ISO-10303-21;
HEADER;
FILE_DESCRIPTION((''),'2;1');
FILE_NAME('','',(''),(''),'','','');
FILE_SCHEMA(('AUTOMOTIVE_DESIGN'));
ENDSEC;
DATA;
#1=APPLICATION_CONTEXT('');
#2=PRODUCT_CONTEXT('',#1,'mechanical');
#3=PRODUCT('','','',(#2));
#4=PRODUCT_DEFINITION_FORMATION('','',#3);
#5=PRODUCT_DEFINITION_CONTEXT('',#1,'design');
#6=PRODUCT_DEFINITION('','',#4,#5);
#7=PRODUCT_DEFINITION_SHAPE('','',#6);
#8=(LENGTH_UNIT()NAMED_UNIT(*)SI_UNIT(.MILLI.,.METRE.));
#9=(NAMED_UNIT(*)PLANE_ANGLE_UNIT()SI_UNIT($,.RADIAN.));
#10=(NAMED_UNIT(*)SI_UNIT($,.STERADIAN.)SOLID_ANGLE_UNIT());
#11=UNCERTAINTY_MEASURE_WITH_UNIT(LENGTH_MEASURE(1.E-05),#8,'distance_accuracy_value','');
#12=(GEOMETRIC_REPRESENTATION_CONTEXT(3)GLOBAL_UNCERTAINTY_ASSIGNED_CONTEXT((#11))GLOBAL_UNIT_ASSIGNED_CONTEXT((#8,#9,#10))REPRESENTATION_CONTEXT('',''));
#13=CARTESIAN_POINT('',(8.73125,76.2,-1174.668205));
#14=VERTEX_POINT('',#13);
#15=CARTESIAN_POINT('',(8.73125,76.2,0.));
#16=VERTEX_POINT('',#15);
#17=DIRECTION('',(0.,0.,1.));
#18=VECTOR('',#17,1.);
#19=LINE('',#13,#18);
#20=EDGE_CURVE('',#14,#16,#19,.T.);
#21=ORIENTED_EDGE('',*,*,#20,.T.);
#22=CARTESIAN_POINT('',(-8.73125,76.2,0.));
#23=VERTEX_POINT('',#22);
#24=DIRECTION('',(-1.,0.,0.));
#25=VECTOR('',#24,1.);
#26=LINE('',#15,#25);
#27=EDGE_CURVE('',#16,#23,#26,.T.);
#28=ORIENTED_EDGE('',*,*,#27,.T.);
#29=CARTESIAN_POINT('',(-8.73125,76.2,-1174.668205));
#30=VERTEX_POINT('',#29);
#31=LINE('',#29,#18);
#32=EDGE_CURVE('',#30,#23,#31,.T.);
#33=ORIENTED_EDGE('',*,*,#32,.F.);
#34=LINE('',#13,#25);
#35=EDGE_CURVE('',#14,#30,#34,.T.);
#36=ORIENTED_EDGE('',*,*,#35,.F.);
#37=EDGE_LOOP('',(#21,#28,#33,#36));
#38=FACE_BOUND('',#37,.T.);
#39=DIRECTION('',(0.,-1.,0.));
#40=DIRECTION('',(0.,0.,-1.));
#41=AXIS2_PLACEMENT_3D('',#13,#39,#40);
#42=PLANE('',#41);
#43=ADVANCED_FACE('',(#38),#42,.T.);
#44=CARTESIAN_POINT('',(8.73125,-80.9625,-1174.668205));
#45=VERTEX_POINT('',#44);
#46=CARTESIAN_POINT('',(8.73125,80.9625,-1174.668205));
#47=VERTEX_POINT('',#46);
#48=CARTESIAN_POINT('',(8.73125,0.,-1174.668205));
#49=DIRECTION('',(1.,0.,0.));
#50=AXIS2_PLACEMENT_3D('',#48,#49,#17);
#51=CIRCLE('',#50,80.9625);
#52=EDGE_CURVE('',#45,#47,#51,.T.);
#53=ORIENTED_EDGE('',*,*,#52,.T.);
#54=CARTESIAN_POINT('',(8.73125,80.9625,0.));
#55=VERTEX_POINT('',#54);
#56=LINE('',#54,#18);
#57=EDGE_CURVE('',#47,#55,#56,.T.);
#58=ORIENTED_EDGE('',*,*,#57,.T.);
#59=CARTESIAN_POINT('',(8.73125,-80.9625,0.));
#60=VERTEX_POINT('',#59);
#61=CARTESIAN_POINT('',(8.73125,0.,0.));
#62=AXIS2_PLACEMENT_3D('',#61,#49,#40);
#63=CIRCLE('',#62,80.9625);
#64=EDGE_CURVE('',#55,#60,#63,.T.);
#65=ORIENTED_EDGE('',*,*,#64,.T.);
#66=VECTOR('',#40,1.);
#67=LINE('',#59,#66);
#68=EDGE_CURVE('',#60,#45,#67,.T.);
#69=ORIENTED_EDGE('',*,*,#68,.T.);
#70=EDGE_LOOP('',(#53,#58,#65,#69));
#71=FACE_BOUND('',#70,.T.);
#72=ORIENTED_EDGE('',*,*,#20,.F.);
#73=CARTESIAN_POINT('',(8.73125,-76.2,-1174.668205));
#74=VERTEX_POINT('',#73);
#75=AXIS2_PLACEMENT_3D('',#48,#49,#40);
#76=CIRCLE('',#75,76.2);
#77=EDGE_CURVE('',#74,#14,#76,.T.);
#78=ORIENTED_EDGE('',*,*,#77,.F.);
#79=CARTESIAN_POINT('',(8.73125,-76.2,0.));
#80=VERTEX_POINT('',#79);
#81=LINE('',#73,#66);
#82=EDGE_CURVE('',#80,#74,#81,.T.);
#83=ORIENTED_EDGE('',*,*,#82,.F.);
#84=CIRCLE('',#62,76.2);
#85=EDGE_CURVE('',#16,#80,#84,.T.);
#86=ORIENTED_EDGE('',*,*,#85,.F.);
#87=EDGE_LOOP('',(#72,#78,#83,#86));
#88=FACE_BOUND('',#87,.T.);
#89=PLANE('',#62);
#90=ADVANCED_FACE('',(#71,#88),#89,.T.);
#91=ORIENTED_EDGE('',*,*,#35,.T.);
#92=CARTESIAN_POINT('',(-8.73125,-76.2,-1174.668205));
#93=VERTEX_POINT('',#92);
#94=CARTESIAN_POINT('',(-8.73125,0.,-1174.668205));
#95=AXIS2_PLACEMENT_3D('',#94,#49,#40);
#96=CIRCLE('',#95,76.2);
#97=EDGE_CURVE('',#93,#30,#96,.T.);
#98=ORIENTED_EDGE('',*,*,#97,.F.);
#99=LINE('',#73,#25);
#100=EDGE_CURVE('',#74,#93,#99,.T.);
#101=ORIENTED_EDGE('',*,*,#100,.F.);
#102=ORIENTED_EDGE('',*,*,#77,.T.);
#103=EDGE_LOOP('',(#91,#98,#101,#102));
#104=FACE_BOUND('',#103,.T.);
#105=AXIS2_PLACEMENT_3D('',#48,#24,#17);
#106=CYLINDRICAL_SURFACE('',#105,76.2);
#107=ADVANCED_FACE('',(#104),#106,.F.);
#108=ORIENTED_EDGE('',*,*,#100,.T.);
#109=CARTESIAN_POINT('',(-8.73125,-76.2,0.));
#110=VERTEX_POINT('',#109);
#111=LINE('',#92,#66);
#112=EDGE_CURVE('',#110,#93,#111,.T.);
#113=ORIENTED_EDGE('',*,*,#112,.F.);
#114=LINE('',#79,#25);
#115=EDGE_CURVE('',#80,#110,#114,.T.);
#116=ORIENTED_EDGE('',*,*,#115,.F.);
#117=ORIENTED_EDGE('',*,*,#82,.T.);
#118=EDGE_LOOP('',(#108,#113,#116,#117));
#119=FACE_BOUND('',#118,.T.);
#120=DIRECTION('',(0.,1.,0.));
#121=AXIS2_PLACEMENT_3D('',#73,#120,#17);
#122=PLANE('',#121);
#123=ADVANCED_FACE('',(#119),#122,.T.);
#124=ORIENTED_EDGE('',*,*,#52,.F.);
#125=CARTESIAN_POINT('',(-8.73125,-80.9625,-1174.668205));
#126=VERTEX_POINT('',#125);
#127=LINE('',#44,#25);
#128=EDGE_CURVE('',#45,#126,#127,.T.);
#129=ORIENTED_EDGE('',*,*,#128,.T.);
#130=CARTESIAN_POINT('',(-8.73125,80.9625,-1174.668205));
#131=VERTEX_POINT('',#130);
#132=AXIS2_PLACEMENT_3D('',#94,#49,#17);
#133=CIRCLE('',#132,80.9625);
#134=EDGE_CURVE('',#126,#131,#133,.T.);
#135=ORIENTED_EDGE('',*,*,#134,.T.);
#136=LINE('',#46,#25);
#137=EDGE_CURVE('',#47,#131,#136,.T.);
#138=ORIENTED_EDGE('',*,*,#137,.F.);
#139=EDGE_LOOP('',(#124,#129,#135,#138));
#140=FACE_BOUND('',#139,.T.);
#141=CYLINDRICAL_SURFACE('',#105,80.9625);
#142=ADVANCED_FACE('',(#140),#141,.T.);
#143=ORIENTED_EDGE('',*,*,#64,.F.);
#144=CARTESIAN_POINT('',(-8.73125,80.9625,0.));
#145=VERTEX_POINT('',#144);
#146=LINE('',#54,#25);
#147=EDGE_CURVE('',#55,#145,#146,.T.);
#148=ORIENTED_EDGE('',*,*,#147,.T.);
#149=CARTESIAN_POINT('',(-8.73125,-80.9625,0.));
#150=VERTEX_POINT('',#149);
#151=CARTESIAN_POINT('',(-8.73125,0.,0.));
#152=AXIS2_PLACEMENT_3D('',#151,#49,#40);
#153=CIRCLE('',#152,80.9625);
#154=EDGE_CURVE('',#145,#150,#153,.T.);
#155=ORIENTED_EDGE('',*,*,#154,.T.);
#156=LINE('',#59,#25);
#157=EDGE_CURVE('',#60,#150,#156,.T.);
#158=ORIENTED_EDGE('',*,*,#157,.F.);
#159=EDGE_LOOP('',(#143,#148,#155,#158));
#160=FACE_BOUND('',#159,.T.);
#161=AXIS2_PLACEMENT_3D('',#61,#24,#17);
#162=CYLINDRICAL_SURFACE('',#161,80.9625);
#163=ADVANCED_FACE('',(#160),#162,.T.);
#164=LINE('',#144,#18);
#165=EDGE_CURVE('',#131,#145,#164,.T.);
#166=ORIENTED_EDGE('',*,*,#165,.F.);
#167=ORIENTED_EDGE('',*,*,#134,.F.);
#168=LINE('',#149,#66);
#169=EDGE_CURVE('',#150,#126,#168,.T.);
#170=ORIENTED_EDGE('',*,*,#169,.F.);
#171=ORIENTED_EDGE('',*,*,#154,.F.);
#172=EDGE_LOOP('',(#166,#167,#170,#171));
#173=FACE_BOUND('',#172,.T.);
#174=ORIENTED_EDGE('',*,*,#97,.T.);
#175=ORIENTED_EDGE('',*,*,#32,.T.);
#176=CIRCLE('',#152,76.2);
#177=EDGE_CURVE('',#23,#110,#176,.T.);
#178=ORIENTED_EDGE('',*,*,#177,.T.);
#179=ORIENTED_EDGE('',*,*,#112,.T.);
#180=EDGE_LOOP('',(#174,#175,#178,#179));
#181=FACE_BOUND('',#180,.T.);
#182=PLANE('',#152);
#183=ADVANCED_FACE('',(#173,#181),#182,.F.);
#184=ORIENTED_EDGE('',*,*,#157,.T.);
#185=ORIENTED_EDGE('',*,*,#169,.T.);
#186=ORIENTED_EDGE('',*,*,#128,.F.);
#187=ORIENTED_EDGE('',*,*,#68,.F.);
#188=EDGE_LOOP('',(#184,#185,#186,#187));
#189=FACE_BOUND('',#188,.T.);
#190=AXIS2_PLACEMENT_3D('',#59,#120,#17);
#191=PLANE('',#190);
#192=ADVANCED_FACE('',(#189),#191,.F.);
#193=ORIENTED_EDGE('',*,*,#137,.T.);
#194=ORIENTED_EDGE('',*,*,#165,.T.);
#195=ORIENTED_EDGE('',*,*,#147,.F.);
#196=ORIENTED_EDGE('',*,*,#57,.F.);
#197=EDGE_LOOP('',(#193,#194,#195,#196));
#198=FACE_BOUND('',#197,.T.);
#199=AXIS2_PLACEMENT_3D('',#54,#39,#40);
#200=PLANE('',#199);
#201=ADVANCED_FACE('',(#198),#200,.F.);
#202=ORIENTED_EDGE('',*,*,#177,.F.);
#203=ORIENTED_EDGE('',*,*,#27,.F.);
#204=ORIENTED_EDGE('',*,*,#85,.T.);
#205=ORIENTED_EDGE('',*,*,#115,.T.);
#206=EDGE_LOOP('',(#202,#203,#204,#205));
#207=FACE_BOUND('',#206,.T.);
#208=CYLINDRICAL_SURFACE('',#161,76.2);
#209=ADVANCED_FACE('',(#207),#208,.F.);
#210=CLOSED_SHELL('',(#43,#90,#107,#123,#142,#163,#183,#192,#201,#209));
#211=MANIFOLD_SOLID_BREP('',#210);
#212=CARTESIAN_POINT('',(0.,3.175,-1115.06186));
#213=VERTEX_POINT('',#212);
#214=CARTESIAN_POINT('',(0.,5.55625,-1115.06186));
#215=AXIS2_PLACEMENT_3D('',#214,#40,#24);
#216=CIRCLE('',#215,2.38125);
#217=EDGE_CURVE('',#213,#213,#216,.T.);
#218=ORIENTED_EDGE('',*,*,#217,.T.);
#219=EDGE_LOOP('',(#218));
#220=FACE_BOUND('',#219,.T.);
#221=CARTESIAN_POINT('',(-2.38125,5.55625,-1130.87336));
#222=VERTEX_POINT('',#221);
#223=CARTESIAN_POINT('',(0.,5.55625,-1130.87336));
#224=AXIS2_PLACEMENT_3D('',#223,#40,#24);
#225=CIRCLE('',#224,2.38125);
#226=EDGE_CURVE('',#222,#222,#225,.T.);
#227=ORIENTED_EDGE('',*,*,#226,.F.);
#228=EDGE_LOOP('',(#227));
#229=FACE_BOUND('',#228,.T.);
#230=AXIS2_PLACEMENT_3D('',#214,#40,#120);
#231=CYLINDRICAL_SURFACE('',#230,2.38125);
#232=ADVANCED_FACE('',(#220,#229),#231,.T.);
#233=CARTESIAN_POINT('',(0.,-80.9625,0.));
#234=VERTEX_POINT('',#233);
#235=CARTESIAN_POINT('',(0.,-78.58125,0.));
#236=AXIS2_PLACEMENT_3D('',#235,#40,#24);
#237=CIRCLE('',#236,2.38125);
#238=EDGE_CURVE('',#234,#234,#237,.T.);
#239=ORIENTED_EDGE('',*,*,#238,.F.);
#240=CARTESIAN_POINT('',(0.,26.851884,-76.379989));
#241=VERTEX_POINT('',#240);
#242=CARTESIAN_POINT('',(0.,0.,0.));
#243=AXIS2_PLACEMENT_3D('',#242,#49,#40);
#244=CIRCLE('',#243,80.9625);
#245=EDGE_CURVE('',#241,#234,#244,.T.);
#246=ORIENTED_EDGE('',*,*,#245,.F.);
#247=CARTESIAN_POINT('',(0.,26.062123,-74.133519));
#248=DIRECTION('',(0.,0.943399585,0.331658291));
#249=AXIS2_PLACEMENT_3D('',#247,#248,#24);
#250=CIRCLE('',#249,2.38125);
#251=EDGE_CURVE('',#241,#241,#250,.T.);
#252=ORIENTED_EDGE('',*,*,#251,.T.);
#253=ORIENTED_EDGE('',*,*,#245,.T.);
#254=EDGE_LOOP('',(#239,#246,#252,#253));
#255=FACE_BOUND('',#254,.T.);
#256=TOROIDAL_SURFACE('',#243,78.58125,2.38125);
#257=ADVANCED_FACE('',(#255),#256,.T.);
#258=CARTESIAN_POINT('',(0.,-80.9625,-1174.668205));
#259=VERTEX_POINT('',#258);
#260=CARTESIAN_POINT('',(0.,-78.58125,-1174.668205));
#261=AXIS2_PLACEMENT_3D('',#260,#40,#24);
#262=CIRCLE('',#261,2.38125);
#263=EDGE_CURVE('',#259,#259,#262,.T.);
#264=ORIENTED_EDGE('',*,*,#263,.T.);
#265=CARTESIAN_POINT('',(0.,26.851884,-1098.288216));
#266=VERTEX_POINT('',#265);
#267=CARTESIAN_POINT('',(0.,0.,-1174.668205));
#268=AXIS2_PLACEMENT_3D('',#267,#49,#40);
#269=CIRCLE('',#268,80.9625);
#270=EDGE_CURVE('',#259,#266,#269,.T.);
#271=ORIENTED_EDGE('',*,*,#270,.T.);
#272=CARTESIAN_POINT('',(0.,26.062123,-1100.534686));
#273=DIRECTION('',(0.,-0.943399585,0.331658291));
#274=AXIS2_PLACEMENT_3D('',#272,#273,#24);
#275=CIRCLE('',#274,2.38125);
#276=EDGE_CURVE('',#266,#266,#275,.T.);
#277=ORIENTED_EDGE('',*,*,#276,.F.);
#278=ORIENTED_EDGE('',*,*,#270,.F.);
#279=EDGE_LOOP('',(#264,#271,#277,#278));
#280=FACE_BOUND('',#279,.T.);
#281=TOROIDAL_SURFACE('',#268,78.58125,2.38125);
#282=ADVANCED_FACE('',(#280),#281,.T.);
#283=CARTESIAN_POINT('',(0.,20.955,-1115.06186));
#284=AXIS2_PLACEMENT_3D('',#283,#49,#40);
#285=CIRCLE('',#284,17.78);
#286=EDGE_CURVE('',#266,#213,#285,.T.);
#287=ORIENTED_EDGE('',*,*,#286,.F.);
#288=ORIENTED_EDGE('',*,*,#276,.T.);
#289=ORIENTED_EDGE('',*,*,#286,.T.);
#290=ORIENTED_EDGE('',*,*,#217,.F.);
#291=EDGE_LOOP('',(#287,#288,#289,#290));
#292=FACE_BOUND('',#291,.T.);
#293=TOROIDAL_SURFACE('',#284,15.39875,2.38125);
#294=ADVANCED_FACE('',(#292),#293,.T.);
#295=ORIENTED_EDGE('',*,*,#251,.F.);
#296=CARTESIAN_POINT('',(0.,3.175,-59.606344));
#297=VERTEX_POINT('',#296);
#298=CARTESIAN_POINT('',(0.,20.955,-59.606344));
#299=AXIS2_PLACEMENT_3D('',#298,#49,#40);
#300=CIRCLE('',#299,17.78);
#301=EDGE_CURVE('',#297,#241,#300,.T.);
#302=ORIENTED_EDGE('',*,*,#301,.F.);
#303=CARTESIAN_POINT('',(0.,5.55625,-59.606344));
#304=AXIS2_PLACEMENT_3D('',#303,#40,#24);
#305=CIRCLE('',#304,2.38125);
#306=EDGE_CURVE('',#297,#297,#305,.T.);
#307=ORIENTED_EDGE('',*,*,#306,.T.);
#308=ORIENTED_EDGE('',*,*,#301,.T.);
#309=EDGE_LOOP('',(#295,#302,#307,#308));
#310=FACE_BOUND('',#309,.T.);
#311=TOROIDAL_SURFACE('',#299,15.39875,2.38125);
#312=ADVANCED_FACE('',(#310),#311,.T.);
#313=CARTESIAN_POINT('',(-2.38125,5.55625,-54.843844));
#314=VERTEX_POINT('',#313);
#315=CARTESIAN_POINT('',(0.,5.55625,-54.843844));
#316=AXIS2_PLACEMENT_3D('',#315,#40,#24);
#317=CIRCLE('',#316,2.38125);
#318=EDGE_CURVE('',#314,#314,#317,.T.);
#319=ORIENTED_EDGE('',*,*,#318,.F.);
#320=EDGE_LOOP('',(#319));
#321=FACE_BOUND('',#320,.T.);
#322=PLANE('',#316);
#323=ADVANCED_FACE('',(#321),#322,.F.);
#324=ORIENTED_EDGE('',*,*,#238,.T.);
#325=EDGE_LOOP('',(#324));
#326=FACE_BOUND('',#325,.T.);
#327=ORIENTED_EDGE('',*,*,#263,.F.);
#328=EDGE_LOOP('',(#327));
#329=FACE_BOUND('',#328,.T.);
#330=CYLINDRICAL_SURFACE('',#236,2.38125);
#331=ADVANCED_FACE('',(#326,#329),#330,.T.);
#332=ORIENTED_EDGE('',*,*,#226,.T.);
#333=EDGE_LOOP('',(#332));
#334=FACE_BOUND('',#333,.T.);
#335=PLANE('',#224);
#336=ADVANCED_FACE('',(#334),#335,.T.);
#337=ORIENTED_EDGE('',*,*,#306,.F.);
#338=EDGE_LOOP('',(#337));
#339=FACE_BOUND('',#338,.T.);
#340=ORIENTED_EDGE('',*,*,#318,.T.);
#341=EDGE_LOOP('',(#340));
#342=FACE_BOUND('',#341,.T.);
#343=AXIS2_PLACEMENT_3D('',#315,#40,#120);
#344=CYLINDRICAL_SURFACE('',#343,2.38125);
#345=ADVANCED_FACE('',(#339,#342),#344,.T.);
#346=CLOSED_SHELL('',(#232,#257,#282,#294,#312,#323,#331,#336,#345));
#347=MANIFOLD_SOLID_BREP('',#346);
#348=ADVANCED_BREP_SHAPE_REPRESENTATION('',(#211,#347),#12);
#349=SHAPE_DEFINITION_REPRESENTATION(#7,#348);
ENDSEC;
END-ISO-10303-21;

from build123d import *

# Parameters (mm, degrees)
BOSS_EXTRUDE1_DEPTH = 8.73125
SWEEP1_PROFILE_R    = 2.38125


with BuildPart() as part:
    # Sketch1 → Boss-Extrude1 (new, symmetric)
    with BuildSketch(Plane(origin=(0, 0, 0), x_dir=(0, 0, -1), z_dir=(1, 0, 0))):
        with BuildLine():
            Line((0, 80.9625), (1174.668204634, 80.9625))
            ThreePointArc((1174.668204634, 80.9625), (1255.630704634, 0), (1174.668204634, -80.9625))
            Line((1174.668204634, -80.9625), (0, -80.9625))
            ThreePointArc((0, -80.9625), (-80.9625, 0), (0, 80.9625))
        make_face()
        with BuildLine():
            Line((1174.668204634, 76.2), (0, 76.2))
            ThreePointArc((0, 76.2), (-76.2, 0), (0, -76.2))
            Line((0, -76.2), (1174.668204634, -76.2))
            ThreePointArc((1174.668204634, -76.2), (1250.868204634, 0), (1174.668204634, 76.2))
        make_face(mode=Mode.SUBTRACT)
    extrude(amount=BOSS_EXTRUDE1_DEPTH, both=True)


with BuildPart() as body_2:
    # Sweep1: sweep along a path in Sketch2
    with BuildLine(Plane(origin=(0, 0, 0), x_dir=(0, 0, -1), z_dir=(1, 0, 0))) as sweep1_path:
        Line((1130.87336033, 5.55625), (1115.06186033, 5.55625))
        ThreePointArc((1115.06186033, 5.55625), (1102.496733717, 12.053365614), (1100.534685965, 26.062123116))
        ThreePointArc((1100.534685965, 26.062123116), (1238.78921158, 45.425866197), (1174.668204634, -78.58125))
        Line((1174.668204634, -78.58125), (0, -78.58125))
        ThreePointArc((0, -78.58125), (-64.121006946, 45.425866197), (74.133518669, 26.062123116))
        ThreePointArc((74.133518669, 26.062123116), (72.171470917, 12.053365614), (59.606344304, 5.55625))
        Line((59.606344304, 5.55625), (54.843844304, 5.55625))
    # Sweep1 profile (on start of the path) → Sweep1 (sweep)
    with BuildSketch(Plane(origin=(0, 5.55625, -1130.87336033), x_dir=(0, 1, 0), z_dir=(0, 0, 1))):
        Circle(SWEEP1_PROFILE_R)
    sweep(path=sweep1_path.line)


solid = Compound([part.part, body_2.part])
